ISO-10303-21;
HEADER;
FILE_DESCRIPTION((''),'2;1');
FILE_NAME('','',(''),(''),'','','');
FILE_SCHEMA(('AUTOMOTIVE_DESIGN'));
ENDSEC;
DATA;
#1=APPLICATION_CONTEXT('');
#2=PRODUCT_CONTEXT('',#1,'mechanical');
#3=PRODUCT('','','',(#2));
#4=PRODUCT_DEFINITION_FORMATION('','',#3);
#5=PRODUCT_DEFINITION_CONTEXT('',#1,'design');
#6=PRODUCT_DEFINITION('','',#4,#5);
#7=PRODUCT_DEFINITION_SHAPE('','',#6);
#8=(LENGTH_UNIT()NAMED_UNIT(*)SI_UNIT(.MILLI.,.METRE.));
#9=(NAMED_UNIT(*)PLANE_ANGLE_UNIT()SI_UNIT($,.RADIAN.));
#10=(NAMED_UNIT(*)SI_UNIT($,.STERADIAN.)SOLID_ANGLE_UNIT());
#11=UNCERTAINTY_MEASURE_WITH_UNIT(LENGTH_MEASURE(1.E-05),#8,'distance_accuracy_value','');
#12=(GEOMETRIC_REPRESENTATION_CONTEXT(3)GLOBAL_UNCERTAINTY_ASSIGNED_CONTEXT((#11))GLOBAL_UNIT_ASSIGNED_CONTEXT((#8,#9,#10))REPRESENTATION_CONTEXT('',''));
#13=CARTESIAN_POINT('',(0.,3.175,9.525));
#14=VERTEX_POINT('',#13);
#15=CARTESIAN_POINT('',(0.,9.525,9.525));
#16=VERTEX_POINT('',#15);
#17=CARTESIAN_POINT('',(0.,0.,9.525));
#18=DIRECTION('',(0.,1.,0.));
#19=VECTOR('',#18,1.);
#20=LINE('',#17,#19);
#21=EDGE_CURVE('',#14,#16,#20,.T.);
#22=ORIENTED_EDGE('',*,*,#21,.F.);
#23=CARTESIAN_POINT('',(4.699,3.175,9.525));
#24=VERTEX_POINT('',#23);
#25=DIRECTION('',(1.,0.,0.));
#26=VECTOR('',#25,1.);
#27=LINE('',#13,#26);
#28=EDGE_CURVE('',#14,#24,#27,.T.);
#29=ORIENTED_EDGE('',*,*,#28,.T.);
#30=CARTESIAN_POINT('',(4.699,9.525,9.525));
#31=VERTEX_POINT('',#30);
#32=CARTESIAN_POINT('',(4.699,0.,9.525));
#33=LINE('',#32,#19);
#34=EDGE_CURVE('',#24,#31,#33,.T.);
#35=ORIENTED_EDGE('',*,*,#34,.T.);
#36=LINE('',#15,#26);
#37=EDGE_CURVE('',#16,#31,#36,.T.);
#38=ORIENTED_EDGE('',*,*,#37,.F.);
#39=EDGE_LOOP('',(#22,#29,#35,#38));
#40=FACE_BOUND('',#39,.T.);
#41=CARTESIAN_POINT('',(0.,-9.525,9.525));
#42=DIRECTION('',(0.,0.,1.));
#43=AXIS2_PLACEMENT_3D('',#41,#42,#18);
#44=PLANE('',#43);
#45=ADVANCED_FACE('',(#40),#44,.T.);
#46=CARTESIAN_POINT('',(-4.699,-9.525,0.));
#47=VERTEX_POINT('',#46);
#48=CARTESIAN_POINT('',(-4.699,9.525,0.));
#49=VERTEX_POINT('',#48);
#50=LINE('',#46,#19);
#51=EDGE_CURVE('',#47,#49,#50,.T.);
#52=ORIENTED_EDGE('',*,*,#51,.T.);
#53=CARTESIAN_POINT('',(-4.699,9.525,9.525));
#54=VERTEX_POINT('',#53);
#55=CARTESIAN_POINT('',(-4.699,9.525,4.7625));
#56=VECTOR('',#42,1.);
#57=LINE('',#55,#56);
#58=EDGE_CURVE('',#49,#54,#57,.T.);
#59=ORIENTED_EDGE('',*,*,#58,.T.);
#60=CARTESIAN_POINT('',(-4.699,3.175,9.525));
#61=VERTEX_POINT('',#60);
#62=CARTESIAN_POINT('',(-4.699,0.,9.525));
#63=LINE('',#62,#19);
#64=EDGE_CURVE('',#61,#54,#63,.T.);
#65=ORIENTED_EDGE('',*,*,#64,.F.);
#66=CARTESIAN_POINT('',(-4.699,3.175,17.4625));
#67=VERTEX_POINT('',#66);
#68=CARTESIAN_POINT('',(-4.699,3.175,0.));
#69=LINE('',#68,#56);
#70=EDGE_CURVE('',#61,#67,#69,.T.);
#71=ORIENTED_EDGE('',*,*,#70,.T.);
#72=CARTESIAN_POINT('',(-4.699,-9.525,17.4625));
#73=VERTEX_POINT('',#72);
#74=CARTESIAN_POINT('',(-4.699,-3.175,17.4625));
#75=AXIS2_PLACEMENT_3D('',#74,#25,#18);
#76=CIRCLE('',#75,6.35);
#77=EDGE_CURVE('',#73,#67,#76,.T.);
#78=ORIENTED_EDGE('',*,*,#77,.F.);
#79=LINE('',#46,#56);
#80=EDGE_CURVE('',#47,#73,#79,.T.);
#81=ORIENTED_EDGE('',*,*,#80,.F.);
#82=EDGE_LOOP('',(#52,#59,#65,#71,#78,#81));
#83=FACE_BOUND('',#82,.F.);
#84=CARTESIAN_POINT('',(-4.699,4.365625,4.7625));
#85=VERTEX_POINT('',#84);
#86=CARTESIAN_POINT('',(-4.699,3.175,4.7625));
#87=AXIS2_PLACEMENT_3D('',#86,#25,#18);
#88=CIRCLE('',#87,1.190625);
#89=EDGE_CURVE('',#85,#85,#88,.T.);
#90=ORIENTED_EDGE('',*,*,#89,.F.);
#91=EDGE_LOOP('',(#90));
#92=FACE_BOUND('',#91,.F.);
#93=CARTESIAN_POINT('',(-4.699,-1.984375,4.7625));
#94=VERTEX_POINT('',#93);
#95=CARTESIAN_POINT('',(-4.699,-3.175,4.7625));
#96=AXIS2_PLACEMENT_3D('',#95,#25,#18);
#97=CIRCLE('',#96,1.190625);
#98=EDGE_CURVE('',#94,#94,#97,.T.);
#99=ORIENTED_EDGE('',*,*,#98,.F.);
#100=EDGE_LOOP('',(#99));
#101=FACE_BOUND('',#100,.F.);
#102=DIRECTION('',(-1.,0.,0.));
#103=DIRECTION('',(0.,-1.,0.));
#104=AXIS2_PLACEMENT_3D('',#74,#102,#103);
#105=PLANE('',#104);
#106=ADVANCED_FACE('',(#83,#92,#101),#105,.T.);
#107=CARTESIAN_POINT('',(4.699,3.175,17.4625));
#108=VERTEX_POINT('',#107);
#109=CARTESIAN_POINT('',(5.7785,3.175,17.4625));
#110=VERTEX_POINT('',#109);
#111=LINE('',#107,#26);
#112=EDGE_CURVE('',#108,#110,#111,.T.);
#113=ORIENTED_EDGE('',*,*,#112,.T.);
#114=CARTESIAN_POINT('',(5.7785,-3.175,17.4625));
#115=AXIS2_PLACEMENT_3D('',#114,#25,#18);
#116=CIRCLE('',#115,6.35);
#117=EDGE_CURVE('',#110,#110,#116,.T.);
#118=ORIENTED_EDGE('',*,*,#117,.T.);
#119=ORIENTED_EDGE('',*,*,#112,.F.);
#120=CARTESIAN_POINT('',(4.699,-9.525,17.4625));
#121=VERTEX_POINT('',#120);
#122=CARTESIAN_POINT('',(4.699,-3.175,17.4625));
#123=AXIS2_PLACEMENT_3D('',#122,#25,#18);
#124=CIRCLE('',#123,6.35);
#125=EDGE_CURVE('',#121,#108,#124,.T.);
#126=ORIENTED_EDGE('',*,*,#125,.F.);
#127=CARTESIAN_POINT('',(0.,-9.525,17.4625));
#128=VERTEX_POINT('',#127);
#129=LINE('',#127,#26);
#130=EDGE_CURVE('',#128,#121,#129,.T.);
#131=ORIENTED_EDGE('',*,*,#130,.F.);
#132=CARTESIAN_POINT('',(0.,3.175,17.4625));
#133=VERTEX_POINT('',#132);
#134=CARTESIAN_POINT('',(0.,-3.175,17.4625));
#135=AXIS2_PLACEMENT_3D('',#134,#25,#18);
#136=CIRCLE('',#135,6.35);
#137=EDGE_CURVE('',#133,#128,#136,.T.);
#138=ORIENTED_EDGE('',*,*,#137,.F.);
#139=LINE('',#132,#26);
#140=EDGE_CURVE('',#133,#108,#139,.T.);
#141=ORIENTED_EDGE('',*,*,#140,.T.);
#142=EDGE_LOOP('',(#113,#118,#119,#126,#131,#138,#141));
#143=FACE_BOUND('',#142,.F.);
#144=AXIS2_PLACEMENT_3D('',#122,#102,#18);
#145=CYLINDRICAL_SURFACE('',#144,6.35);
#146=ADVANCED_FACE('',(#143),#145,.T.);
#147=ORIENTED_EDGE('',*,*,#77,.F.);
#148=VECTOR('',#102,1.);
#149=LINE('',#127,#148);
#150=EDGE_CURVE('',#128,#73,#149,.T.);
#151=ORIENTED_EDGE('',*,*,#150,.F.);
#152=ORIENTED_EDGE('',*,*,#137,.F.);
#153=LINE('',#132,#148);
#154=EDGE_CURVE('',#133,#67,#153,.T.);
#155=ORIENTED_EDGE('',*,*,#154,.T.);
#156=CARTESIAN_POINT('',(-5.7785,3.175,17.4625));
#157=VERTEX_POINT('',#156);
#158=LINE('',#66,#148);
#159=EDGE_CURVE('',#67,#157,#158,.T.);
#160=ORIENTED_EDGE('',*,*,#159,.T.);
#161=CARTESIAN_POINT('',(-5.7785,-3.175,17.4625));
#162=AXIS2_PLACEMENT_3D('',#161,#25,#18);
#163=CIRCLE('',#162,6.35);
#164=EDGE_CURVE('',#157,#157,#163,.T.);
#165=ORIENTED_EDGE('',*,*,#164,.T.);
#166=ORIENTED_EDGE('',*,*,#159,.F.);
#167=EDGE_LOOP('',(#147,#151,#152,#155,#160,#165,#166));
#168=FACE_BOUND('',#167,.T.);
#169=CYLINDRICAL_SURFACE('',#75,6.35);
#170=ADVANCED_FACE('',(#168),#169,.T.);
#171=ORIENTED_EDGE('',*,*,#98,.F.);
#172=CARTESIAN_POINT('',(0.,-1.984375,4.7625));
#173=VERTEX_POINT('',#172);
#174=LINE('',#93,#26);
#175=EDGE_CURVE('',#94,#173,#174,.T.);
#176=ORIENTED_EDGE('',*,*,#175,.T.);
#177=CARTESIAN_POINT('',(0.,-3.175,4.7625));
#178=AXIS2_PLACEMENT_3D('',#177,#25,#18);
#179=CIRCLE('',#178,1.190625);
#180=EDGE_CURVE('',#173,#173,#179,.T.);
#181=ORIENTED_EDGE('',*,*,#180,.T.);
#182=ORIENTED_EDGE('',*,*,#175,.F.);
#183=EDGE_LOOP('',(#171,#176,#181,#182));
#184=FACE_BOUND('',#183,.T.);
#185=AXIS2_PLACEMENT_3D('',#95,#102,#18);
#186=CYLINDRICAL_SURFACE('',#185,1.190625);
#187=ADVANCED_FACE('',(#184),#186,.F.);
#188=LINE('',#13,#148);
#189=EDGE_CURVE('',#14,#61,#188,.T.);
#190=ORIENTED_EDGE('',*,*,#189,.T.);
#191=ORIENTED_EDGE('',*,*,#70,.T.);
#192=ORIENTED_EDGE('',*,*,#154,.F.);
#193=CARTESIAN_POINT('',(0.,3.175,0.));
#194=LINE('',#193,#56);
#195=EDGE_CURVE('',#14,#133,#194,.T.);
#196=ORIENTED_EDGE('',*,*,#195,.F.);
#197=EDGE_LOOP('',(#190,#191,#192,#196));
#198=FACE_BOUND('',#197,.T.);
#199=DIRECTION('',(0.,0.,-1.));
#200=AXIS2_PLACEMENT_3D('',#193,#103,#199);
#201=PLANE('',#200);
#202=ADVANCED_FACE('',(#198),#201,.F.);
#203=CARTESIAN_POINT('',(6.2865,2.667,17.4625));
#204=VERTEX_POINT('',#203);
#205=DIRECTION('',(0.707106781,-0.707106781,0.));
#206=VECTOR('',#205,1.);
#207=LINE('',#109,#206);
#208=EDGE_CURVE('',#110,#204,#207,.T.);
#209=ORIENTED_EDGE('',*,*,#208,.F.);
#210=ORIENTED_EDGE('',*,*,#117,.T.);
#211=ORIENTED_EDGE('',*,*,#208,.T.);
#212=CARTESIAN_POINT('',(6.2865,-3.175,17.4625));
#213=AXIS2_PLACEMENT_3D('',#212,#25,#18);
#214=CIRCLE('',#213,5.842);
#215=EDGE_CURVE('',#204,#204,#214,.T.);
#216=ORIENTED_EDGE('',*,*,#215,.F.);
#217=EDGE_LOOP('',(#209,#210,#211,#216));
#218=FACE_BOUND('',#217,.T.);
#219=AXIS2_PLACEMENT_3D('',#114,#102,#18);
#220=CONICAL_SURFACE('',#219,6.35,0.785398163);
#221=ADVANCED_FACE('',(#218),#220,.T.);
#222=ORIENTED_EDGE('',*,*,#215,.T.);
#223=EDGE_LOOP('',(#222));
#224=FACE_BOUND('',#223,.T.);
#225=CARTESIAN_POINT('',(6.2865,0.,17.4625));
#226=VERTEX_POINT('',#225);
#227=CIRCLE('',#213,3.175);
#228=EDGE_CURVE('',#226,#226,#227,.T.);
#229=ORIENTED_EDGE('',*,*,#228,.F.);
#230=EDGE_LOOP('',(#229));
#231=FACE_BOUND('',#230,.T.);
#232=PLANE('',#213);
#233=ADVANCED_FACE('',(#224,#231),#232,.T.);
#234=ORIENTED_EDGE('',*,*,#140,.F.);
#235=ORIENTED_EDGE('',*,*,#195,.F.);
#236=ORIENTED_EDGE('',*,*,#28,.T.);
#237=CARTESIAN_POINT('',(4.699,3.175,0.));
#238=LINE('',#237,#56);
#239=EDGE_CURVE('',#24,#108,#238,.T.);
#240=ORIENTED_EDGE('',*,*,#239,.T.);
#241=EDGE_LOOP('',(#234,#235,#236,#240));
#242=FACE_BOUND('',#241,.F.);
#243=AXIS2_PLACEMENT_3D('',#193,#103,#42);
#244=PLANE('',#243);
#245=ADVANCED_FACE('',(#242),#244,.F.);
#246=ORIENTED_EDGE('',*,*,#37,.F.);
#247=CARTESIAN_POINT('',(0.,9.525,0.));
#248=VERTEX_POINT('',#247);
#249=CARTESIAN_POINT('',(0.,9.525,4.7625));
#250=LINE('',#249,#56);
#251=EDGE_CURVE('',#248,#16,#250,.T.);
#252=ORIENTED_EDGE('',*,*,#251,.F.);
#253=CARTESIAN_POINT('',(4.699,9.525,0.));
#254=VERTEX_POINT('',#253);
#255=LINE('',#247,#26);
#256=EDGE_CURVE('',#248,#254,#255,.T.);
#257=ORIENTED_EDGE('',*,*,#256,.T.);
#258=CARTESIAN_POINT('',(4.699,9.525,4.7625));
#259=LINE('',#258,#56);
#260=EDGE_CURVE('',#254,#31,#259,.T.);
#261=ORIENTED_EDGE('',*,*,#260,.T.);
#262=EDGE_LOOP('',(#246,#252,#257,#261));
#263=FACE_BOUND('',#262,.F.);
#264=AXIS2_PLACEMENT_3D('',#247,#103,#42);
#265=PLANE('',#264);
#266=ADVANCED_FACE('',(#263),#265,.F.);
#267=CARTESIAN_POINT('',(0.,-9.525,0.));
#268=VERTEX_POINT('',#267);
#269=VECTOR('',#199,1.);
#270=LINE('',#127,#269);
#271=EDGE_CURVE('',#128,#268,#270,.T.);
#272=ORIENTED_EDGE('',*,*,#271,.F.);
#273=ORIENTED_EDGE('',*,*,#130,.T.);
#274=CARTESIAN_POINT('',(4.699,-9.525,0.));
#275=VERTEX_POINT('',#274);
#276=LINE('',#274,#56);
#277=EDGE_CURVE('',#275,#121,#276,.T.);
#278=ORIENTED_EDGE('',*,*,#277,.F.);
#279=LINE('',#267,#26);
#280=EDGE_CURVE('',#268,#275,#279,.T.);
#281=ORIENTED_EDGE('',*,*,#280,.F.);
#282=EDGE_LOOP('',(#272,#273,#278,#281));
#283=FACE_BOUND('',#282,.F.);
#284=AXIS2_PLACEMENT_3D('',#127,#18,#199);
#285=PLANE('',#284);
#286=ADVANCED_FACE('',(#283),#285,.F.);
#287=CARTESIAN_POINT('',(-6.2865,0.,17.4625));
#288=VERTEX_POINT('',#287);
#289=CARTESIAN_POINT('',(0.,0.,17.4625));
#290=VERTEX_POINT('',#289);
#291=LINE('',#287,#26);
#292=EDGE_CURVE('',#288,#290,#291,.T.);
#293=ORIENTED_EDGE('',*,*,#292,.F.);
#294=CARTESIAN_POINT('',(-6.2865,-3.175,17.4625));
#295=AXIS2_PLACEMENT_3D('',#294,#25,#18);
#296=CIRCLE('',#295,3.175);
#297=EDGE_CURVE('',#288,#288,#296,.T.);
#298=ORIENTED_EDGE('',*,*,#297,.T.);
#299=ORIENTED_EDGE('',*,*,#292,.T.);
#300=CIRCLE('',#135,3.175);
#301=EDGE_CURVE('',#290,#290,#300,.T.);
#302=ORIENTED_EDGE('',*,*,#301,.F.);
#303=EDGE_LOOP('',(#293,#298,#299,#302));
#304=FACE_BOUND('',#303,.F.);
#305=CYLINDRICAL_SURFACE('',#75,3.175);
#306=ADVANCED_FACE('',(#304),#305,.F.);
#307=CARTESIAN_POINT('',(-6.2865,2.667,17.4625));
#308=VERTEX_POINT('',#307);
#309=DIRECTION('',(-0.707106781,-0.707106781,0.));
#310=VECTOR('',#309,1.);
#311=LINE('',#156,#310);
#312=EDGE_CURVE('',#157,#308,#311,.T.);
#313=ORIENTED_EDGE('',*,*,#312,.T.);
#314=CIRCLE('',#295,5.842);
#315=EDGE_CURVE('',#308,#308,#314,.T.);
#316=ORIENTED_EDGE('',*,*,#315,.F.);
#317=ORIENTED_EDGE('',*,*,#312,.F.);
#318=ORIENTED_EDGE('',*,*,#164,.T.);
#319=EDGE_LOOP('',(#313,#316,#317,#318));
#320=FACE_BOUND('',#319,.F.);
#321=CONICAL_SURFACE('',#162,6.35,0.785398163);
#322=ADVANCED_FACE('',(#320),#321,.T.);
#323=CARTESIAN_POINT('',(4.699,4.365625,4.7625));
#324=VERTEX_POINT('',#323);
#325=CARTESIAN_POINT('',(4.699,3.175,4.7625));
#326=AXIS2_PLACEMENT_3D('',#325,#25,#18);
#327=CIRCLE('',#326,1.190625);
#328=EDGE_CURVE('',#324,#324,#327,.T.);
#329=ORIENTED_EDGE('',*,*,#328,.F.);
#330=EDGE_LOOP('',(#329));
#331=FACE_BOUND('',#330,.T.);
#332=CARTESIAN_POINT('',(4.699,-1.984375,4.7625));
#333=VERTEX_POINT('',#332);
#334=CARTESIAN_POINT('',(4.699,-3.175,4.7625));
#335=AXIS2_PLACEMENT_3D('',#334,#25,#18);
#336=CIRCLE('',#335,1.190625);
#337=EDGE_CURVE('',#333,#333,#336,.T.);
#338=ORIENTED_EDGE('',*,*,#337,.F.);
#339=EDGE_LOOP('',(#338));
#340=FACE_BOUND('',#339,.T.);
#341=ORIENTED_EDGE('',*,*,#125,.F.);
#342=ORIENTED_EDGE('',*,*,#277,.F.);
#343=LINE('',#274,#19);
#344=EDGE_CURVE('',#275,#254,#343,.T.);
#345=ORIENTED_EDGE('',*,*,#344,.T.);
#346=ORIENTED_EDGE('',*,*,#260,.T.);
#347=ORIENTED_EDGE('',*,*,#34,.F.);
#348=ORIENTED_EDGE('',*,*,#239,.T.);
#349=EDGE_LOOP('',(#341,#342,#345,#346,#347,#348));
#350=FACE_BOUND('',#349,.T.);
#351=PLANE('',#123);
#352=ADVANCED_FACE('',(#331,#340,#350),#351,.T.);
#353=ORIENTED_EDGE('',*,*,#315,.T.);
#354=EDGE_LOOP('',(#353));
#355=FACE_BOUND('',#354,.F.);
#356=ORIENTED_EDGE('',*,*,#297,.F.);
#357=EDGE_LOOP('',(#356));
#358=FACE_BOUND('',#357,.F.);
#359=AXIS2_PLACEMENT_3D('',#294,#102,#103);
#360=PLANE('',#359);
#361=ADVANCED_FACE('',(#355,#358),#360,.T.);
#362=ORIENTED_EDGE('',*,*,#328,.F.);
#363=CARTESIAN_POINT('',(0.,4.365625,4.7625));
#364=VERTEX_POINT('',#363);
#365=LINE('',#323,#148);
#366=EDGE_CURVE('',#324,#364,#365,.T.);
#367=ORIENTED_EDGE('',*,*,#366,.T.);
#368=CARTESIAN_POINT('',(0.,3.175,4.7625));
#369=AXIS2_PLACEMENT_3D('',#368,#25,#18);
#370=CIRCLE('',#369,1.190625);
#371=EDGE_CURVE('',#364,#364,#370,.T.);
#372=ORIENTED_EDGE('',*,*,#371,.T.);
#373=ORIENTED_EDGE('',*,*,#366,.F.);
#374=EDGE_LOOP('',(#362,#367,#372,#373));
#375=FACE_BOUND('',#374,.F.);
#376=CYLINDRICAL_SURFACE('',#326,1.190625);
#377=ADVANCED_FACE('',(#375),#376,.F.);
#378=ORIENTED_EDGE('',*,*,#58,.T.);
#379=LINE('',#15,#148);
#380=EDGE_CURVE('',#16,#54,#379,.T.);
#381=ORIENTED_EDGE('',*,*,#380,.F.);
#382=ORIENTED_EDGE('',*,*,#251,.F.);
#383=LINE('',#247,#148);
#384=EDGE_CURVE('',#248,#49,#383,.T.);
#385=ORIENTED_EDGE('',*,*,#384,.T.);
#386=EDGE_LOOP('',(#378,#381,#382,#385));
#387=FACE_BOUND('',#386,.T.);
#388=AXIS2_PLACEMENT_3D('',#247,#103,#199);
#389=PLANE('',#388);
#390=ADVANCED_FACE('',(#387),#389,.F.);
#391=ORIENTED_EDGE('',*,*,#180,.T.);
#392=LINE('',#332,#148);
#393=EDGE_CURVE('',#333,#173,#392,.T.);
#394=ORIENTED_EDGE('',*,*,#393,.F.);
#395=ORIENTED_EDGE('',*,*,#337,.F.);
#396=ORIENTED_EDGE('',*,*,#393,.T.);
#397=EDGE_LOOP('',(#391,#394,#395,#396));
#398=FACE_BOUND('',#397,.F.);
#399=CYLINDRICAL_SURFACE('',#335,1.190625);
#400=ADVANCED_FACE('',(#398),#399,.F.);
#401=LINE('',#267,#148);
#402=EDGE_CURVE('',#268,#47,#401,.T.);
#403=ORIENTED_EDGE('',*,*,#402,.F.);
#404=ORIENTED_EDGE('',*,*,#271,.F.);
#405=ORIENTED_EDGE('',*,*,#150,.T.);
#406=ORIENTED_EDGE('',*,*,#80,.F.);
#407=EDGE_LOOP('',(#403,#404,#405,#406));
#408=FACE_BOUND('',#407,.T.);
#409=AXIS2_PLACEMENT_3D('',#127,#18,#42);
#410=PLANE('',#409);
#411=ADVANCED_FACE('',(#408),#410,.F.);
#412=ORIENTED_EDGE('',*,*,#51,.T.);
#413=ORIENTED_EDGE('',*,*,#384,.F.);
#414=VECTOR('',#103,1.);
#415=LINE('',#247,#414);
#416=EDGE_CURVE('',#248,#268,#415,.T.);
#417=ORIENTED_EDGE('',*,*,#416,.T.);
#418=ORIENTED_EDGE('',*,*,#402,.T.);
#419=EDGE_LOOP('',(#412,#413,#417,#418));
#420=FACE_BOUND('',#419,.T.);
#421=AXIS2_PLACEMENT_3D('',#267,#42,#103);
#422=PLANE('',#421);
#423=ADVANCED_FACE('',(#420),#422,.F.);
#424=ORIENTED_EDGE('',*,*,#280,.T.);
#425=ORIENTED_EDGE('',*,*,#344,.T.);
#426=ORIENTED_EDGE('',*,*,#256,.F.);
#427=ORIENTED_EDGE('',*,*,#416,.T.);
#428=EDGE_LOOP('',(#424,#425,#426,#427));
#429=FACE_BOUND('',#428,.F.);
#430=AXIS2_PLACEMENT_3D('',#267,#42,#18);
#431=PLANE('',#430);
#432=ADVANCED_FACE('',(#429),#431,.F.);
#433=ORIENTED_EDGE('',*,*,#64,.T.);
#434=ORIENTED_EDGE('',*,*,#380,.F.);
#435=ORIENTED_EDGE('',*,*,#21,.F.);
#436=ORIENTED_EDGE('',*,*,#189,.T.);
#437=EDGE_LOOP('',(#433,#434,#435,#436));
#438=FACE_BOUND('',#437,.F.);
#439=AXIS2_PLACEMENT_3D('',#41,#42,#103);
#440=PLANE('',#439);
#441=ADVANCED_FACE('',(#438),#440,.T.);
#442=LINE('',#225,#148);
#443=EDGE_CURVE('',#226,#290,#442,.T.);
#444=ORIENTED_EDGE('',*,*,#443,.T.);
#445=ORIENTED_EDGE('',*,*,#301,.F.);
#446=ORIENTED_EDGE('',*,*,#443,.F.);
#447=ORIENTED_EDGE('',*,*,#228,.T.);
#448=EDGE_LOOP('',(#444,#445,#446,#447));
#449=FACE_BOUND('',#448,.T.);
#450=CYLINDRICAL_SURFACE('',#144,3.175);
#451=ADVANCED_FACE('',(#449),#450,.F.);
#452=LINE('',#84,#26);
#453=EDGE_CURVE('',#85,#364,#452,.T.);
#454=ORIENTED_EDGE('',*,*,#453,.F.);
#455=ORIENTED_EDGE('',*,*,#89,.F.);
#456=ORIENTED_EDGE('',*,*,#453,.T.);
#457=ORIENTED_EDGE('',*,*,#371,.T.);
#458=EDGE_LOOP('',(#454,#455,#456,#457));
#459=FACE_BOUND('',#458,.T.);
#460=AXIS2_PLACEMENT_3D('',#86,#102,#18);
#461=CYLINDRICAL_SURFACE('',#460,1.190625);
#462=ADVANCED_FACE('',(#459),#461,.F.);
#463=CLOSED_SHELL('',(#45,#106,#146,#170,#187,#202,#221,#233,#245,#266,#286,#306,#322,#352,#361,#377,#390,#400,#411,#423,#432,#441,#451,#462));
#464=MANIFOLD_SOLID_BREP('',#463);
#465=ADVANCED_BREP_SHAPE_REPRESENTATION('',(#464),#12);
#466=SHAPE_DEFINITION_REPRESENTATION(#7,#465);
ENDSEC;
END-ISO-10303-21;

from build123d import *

# Parameters (mm, degrees)
F0_W     = 19.05
F0_H     = 9.525
F1_DEPTH = 4.699
F2_R     = 3.175
F3_DEPTH = 4.699
F4_R     = 1.190625
F5_DEPTH = 4.7
F6_R     = 6.35
F6_R_2   = 3.175
F7_DEPTH = 1.5875
F9_SIZE  = 0.508


with BuildPart() as f1:
    # F0 (on Right) → F1 (new body)
    with BuildSketch(Plane.YZ):
        with Locations((0, 4.7625)):
            Rectangle(F0_W, F0_H)
    extrude(amount=F1_DEPTH)

    # F2 (on Right) → F3 (join)
    with BuildSketch(Plane.YZ):
        with BuildLine():
            ThreePointArc((-9.525, 17.4625), (-3.175, 11.1125), (3.175, 17.4625))
            ThreePointArc((3.175, 17.4625), (-3.175, 23.8125), (-9.525, 17.4625))
        make_face()
        with Locations((-3.175, 17.4625)):
            Circle(F2_R, mode=Mode.SUBTRACT)
        with BuildLine():
            Line((3.175, 0), (3.175, 17.4625))
            ThreePointArc((3.175, 17.4625), (-3.175, 11.1125), (-9.525, 17.4625))
            Line((-9.525, 17.4625), (-9.525, 0))
            Line((-9.525, 0), (3.175, 0))
        make_face()
    extrude(amount=F3_DEPTH)

    # F4 (on face) → F5 (cut, through all)
    with BuildSketch(Plane.YZ.offset(4.699)):
        with Locations((-3.175, 4.7625)):
            Circle(F4_R)
        with Locations((3.175, 4.7625)):
            Circle(F4_R)
    extrude(amount=-F5_DEPTH, mode=Mode.SUBTRACT)

    # F6 (on face) → F7 (join)
    with BuildSketch(Plane.YZ.offset(4.699)):
        with Locations((-3.175, 17.4625)):
            Circle(F6_R)
        with Locations((-3.175, 17.4625)):
            Circle(F6_R_2, mode=Mode.SUBTRACT)
    extrude(amount=F7_DEPTH)

    # F8: F1 across plane


with BuildPart() as f1_1:
    add(f1.part)
    add(f1.part.mirror(Plane.YZ))

    # F9
    f9_edges = [f1_1.edges().sort_by_distance(p)[0] for p in [
        (6.2865, -9.525, 17.4625),
        (-6.2865, -9.525, 17.4625),
    ]]
    chamfer(f9_edges, length=F9_SIZE)


solid = f1_1.part
